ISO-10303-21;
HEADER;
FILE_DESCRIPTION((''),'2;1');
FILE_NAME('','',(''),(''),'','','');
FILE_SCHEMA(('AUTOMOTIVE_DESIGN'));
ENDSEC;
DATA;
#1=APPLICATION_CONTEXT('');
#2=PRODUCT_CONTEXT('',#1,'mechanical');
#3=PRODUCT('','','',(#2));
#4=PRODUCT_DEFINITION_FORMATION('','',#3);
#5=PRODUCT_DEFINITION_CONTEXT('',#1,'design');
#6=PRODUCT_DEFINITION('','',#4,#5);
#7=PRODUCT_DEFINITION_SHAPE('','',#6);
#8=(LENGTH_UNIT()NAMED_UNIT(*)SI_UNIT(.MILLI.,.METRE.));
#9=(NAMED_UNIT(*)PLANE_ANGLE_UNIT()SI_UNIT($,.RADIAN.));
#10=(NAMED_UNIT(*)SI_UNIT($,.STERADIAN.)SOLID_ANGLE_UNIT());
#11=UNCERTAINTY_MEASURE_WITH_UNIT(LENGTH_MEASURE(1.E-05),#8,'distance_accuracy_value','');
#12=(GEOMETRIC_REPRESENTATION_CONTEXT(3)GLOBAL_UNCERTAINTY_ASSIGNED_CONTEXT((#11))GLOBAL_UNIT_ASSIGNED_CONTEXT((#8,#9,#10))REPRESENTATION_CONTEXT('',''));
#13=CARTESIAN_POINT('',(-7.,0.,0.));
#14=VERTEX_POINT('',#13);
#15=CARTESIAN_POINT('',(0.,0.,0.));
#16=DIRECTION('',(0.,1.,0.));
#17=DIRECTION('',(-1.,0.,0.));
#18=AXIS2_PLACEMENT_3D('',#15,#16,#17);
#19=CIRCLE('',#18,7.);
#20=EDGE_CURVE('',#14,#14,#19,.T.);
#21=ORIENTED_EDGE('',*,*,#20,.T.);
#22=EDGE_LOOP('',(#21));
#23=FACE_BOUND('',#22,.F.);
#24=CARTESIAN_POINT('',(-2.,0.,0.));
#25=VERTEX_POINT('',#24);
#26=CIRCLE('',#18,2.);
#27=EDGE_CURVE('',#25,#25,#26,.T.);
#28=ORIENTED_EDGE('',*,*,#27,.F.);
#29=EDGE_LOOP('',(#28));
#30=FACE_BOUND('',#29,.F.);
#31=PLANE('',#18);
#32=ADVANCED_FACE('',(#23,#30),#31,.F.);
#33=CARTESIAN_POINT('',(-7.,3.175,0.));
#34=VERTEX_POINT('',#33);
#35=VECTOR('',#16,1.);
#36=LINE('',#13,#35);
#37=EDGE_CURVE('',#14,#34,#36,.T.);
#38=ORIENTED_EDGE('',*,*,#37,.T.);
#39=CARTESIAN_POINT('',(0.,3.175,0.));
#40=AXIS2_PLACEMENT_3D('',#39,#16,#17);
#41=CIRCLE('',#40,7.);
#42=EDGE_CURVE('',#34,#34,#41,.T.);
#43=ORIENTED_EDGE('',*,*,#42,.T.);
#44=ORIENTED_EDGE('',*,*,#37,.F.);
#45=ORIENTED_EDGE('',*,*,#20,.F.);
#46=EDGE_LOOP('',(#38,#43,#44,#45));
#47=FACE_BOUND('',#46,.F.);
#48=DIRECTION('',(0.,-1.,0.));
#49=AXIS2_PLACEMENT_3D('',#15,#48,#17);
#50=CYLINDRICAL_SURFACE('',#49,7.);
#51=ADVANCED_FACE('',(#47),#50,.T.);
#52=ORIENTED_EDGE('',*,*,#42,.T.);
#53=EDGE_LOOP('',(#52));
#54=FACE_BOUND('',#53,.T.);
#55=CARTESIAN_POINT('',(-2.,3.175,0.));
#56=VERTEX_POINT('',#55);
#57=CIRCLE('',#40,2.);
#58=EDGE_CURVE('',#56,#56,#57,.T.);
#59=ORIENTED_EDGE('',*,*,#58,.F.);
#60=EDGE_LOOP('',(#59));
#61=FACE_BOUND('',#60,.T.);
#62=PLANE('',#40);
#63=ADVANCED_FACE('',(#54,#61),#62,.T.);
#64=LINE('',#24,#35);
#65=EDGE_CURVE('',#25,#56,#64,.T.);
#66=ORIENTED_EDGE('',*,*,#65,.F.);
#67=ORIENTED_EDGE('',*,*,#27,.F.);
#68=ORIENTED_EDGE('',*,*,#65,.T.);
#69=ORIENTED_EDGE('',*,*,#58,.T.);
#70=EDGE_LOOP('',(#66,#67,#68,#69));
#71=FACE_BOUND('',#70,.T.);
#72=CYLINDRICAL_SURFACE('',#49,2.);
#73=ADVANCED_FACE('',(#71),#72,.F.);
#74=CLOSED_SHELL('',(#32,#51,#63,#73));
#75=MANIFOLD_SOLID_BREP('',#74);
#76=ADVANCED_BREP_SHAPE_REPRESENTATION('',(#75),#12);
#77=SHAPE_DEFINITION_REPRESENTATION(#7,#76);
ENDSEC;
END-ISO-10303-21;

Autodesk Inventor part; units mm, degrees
ref_plane "YZ Plane" through (0, 0, 0) normal (1, 0, 0) x (0, 1, 0)
ref_plane "XZ Plane" through (0, 0, 0) normal (0, 1, 0) x (-1, 0, 0)
ref_plane "XY Plane" through (0, 0, 0) normal (0, 0, 1) x (1, 0, 0)
sketch "Sketch1" plane through (0, 0, 0) normal (0, 1, 0) x (-1, 0, 0)
  circle A0 centre (0, 0) radius 2
  circle A1 centre (0, 0) radius 7
  dimension "d0" = 4
  dimension "d1" = 14
extrude "Extrusion1" add sketch "Sketch1" along normal blind 3.175
properties part number "Drill Guide - Collar Cap"
